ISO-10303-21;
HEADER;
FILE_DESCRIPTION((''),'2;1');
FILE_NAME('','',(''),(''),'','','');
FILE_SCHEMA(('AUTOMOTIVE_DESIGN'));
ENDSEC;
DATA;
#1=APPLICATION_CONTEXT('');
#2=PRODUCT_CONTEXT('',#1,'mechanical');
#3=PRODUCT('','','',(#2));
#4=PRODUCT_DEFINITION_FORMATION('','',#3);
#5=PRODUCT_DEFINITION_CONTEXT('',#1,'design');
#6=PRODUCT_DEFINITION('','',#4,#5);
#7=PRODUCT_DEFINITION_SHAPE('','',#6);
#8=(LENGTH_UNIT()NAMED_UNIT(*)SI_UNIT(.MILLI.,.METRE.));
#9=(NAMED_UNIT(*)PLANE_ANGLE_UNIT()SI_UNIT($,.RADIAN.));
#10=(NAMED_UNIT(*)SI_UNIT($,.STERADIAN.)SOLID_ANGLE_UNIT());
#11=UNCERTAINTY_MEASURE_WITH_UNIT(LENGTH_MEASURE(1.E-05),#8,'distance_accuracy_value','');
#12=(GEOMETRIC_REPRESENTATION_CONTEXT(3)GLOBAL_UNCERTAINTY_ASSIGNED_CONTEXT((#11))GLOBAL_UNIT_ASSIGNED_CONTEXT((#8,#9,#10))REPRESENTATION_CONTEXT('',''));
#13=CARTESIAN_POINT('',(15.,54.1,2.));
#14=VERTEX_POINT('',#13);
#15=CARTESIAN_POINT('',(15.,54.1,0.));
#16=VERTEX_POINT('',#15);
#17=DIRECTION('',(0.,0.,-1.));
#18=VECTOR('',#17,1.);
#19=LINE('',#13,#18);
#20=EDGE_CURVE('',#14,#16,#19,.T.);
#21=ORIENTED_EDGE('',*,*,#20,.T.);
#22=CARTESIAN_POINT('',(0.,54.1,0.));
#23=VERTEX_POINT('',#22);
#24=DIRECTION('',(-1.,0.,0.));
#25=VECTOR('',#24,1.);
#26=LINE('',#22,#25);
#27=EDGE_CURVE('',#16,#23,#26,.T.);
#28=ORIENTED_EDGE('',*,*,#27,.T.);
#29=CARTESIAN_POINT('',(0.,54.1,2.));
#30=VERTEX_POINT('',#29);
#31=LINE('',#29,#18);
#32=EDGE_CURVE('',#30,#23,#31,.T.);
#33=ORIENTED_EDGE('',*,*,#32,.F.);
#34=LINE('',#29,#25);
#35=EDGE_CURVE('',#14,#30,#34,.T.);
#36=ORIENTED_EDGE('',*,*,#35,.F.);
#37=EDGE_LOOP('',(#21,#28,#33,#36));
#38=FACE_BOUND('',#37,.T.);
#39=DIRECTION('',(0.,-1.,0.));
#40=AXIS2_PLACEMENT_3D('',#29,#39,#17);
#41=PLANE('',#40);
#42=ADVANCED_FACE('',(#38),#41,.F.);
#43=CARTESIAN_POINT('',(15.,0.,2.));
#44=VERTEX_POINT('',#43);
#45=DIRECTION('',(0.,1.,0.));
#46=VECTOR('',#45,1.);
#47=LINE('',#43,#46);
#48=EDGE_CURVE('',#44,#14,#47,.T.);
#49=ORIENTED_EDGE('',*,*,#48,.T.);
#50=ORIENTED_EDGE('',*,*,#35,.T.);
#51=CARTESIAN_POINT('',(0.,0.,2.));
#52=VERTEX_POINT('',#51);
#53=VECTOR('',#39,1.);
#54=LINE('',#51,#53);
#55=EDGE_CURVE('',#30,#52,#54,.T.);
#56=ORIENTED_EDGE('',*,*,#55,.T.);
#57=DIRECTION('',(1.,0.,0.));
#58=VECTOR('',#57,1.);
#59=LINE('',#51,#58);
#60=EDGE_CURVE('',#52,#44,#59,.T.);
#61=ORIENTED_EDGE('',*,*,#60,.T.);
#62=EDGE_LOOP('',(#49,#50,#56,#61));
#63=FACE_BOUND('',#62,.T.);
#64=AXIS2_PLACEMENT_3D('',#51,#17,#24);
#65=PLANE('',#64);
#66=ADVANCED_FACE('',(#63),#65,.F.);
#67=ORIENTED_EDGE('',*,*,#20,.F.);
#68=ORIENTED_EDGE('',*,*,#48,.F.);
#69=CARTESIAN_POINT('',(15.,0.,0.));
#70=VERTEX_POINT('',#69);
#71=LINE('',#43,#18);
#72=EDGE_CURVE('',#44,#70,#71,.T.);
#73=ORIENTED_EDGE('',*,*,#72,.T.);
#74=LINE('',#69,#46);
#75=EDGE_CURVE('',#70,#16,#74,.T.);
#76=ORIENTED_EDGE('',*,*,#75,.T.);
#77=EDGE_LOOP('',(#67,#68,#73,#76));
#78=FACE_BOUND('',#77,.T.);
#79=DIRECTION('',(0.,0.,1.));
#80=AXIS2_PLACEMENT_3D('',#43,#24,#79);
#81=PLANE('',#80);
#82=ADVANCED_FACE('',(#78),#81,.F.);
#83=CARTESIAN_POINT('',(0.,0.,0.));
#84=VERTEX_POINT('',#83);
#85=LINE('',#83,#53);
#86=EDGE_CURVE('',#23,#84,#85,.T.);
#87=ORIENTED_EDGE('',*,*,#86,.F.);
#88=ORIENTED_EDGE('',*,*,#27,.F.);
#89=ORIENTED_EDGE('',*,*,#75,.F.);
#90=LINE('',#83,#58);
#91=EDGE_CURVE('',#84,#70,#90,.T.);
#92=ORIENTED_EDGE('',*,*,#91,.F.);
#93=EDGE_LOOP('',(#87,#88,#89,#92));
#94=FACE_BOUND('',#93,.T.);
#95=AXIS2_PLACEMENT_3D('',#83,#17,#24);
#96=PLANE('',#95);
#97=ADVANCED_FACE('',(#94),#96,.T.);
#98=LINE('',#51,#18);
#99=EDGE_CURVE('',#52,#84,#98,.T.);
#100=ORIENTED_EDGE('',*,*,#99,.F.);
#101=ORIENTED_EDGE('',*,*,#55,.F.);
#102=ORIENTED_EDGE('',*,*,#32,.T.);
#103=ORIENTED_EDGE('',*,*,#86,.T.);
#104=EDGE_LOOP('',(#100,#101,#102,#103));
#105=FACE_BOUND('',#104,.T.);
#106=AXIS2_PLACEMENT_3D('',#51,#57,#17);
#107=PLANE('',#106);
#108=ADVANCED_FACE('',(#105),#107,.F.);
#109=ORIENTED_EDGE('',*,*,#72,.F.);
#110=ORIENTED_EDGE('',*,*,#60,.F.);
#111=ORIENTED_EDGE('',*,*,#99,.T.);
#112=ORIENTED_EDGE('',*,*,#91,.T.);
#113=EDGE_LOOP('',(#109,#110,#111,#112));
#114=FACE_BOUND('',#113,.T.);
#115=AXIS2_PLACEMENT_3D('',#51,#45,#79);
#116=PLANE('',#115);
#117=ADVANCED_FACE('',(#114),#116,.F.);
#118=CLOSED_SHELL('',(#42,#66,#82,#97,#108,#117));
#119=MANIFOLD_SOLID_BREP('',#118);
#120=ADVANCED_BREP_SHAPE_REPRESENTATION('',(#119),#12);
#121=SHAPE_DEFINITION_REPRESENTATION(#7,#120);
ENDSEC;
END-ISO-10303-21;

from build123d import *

# Parameters (mm, degrees)
SKETCH_1_W      = 15
SKETCH_1_H      = 54.1
EXTRUDE_1_DEPTH = 2


with BuildPart() as part:
    # Эскиз1 → Бобышка-Вытянуть1 (new body)
    with BuildSketch(Plane.XY):
        with Locations((7.5, 27.05)):
            Rectangle(SKETCH_1_W, SKETCH_1_H)
    extrude(amount=EXTRUDE_1_DEPTH)


solid = part.part
